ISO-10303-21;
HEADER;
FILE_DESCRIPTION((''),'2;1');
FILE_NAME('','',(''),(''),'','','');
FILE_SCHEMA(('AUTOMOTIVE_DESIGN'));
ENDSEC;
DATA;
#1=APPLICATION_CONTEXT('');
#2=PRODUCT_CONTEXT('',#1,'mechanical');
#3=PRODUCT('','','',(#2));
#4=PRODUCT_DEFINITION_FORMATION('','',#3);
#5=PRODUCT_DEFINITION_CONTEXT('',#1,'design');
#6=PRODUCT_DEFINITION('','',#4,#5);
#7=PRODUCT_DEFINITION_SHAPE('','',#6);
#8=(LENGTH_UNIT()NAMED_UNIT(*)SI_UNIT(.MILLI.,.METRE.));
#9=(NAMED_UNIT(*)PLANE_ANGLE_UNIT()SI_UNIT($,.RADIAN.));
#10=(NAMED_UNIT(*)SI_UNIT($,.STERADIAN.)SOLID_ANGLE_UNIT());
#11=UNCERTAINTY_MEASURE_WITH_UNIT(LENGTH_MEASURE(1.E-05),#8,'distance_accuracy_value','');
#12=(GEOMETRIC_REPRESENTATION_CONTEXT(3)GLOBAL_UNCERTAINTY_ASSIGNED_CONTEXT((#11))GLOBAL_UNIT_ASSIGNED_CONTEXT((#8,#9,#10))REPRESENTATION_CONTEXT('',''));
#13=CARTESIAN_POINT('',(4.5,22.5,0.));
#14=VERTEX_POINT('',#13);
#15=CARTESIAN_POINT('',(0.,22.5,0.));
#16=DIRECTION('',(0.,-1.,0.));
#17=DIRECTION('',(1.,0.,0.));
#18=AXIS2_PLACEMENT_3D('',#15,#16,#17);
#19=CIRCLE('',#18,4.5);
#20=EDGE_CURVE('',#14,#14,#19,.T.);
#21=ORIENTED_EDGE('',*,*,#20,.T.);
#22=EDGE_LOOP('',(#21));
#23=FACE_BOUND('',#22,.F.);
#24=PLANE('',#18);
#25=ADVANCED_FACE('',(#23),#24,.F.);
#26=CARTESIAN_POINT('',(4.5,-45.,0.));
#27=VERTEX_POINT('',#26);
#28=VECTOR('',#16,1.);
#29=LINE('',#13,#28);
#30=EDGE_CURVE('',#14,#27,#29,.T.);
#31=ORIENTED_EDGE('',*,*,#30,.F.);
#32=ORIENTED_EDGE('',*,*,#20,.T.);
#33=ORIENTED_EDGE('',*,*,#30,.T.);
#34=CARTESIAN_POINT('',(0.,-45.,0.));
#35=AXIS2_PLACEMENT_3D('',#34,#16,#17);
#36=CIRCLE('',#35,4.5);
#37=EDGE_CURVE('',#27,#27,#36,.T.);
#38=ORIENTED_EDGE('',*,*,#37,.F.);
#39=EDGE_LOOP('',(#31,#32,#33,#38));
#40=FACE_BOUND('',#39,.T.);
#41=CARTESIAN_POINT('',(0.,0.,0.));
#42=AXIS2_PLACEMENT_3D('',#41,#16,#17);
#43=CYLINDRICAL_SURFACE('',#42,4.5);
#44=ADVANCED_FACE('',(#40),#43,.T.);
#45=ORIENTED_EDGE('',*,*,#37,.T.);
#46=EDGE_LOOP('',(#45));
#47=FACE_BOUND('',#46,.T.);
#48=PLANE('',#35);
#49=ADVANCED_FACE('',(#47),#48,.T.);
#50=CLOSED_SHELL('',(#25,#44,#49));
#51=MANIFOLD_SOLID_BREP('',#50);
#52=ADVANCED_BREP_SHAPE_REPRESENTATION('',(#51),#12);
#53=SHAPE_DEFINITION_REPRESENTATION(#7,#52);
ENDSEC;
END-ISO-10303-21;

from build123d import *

# Parameters (mm, degrees)
F0_R      = 4.5
F1_DEPTH  = 22.5
F1_FACE_R = 4.5
F2_DEPTH  = 22.5


with BuildPart() as f1:
    # F0 (on Front) → F1 (new body, symmetric)
    with BuildSketch(Plane.XZ):
        Circle(F0_R)
    extrude(amount=F1_DEPTH, both=True)

    # F1_face (on face) → F2 (join, symmetric)
    with BuildSketch(Plane.XZ.offset(22.5)):
        Circle(F1_FACE_R)
    extrude(amount=F2_DEPTH, both=True)


solid = f1.part
